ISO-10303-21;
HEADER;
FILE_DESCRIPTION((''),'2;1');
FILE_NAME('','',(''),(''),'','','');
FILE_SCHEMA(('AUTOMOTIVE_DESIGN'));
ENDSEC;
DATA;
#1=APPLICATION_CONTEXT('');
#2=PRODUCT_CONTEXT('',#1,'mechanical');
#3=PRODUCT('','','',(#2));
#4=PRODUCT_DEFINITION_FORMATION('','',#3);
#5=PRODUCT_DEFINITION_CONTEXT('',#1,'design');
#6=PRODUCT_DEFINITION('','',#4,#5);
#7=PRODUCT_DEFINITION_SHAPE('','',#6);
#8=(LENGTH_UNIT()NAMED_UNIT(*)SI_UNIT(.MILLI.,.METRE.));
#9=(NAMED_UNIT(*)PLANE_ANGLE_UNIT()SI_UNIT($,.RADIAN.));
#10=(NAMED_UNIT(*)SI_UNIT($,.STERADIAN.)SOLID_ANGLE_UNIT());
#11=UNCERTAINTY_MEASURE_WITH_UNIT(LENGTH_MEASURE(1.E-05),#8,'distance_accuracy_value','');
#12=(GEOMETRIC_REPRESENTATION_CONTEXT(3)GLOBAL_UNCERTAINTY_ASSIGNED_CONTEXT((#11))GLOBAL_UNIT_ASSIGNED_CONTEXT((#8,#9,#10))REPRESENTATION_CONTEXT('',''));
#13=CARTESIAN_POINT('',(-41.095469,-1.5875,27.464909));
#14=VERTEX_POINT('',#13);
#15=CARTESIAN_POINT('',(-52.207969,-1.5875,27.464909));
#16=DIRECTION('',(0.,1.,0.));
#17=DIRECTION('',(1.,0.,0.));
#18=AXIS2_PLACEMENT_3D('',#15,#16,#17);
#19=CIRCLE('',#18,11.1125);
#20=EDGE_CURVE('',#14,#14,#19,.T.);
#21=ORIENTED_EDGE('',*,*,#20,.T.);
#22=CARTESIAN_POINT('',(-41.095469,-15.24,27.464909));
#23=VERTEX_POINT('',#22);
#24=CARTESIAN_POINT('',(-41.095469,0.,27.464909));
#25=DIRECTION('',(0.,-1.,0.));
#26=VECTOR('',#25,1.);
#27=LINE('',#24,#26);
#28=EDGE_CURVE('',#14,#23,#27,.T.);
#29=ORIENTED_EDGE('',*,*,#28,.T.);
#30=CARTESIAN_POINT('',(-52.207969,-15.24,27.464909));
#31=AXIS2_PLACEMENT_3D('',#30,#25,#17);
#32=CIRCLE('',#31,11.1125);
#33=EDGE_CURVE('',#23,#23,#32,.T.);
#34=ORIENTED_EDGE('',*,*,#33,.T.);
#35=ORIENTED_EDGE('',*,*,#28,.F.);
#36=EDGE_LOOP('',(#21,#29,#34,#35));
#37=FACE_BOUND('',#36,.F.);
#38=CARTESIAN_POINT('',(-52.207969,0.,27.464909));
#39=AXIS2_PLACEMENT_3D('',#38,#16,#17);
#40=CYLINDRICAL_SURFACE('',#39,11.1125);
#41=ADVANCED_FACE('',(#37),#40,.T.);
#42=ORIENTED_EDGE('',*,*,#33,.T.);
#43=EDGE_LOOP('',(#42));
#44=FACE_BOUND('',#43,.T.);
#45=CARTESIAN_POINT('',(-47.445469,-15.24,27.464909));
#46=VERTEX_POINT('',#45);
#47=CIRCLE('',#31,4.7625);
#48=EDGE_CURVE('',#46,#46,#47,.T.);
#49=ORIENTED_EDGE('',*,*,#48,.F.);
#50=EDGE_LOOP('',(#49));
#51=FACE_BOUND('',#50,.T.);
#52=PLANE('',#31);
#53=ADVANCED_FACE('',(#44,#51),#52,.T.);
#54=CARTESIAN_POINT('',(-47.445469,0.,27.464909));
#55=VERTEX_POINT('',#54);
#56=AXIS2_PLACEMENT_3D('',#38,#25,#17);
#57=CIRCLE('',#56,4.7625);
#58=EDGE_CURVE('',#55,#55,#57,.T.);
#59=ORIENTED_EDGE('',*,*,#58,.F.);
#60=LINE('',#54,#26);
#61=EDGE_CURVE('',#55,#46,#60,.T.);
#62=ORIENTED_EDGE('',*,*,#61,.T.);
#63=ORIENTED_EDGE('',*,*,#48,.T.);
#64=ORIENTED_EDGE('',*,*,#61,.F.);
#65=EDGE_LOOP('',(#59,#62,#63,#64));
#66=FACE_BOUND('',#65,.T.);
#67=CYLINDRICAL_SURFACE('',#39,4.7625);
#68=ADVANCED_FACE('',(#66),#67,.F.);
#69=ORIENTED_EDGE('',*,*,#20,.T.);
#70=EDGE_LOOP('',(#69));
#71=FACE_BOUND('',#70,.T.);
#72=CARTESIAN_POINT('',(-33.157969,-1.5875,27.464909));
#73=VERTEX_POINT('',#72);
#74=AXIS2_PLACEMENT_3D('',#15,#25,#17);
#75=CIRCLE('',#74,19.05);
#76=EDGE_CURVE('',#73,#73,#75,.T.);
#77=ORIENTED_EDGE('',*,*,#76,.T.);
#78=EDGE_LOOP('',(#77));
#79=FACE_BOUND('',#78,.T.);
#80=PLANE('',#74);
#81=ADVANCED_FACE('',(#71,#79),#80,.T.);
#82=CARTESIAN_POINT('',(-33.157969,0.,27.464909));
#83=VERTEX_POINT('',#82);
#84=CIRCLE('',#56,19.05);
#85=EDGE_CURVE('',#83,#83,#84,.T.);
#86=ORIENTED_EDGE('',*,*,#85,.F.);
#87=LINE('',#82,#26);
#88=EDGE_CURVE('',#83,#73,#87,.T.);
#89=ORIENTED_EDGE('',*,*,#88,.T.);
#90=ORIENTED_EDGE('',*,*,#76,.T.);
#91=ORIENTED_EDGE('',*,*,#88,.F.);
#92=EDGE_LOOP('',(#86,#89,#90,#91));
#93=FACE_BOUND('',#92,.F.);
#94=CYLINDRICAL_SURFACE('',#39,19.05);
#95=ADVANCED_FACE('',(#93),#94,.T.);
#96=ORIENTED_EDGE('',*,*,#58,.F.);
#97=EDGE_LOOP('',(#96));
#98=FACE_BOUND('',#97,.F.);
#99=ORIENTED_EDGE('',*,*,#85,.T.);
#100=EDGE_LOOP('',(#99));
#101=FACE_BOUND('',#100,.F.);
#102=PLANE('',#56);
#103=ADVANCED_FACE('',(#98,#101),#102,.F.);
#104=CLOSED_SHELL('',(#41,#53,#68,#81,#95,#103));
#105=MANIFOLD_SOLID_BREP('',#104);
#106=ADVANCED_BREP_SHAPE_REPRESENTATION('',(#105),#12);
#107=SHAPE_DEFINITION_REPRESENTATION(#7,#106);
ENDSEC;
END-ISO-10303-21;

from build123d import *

# Parameters (mm, degrees)
F0_R     = 19.05
F0_R_2   = 4.7625
F1_DEPTH = 1.5875
F2_R     = 11.1125
F2_R_2   = 4.7625
F3_DEPTH = 15.24


with BuildPart() as f1:
    # F0 (on Front) → F1 (new body)
    with BuildSketch(Plane.XZ):
        with Locations((-52.2079691291, 27.464909479)):
            Circle(F0_R)
        with Locations((-52.2079691291, 27.464909479)):
            Circle(F0_R_2, mode=Mode.SUBTRACT)
    extrude(amount=F1_DEPTH)

    # F2 (on Front) → F3 (join)
    with BuildSketch(Plane.XZ):
        with Locations((-52.2079691291, 27.464909479)):
            Circle(F2_R)
        with Locations((-52.2079691291, 27.464909479)):
            Circle(F2_R_2, mode=Mode.SUBTRACT)
    extrude(amount=F3_DEPTH)


solid = f1.part
